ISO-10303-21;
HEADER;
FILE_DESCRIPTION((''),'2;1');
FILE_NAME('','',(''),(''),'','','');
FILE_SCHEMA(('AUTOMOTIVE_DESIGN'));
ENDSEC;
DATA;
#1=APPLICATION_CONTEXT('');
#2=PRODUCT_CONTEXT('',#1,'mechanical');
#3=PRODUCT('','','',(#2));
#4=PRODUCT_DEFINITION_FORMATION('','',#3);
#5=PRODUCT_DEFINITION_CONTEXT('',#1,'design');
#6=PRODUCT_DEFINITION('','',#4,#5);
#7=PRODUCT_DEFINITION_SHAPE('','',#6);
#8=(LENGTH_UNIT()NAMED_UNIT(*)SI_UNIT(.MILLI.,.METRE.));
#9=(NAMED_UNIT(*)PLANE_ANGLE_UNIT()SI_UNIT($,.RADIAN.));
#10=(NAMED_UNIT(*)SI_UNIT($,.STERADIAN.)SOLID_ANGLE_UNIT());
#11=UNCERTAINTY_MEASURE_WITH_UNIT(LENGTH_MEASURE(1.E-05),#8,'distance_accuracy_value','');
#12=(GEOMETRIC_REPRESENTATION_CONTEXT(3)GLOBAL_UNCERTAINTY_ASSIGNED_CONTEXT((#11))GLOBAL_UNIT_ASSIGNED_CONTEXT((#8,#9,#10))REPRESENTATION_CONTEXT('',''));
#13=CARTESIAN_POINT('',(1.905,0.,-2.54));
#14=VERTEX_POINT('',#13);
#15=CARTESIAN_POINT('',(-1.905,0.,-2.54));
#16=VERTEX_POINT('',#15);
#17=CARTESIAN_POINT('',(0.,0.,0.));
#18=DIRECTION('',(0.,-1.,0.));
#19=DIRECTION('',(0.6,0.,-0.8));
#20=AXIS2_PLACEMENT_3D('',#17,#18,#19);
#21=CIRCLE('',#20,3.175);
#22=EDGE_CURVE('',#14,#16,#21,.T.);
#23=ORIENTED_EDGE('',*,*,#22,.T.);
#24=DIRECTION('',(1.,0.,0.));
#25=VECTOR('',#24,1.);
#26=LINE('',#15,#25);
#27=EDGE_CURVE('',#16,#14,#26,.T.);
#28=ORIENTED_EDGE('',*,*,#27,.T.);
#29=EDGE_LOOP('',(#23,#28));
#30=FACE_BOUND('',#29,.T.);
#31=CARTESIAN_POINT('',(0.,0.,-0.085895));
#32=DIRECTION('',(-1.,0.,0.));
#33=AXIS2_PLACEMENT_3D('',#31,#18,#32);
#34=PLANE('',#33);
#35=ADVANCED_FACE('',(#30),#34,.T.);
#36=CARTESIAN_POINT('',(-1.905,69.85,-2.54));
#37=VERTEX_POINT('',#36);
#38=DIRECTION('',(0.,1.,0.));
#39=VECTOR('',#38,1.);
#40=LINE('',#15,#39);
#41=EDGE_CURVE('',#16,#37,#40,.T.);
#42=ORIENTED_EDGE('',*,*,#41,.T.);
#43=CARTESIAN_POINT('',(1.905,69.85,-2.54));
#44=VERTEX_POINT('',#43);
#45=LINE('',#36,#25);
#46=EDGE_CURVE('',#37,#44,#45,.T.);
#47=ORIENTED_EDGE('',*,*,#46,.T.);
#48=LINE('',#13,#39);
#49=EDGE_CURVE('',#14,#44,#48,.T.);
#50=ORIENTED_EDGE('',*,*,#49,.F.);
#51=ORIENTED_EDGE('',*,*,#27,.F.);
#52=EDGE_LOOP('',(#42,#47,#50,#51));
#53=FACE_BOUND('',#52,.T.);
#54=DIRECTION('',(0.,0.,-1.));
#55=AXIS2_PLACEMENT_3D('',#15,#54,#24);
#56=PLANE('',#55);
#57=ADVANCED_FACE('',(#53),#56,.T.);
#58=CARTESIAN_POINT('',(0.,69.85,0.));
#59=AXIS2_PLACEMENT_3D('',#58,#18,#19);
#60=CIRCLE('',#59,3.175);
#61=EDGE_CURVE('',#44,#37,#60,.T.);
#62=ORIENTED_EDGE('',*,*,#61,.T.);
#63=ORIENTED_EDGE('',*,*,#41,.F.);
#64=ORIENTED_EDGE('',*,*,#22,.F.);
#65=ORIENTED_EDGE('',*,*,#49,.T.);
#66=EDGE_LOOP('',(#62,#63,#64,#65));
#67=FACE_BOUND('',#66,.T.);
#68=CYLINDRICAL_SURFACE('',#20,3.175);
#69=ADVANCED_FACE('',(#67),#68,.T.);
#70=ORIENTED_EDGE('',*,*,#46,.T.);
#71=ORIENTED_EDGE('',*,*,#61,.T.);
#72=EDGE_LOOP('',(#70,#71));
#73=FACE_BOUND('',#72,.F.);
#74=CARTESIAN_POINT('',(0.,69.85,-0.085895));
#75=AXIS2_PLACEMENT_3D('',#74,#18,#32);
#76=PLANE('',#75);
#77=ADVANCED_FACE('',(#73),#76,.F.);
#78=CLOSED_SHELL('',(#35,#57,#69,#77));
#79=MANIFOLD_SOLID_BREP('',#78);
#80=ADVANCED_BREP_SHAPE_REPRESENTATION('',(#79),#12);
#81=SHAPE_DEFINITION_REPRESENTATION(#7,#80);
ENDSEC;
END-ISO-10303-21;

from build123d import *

# Parameters (mm, degrees)
BOSS_EXTRUDE1_DEPTH = 69.85


with BuildPart() as part:
    # Sketch1 → Boss-Extrude1 (new body)
    with BuildSketch(Plane(origin=(0, 0, 0), x_dir=(1, 0, 0), z_dir=(0, 1, 0))):
        with BuildLine():
            Line((-1.905, 2.54), (1.905, 2.54))
            ThreePointArc((1.905, 2.54), (0, -3.175), (-1.905, 2.54))
        make_face()
    extrude(amount=BOSS_EXTRUDE1_DEPTH)


solid = part.part
